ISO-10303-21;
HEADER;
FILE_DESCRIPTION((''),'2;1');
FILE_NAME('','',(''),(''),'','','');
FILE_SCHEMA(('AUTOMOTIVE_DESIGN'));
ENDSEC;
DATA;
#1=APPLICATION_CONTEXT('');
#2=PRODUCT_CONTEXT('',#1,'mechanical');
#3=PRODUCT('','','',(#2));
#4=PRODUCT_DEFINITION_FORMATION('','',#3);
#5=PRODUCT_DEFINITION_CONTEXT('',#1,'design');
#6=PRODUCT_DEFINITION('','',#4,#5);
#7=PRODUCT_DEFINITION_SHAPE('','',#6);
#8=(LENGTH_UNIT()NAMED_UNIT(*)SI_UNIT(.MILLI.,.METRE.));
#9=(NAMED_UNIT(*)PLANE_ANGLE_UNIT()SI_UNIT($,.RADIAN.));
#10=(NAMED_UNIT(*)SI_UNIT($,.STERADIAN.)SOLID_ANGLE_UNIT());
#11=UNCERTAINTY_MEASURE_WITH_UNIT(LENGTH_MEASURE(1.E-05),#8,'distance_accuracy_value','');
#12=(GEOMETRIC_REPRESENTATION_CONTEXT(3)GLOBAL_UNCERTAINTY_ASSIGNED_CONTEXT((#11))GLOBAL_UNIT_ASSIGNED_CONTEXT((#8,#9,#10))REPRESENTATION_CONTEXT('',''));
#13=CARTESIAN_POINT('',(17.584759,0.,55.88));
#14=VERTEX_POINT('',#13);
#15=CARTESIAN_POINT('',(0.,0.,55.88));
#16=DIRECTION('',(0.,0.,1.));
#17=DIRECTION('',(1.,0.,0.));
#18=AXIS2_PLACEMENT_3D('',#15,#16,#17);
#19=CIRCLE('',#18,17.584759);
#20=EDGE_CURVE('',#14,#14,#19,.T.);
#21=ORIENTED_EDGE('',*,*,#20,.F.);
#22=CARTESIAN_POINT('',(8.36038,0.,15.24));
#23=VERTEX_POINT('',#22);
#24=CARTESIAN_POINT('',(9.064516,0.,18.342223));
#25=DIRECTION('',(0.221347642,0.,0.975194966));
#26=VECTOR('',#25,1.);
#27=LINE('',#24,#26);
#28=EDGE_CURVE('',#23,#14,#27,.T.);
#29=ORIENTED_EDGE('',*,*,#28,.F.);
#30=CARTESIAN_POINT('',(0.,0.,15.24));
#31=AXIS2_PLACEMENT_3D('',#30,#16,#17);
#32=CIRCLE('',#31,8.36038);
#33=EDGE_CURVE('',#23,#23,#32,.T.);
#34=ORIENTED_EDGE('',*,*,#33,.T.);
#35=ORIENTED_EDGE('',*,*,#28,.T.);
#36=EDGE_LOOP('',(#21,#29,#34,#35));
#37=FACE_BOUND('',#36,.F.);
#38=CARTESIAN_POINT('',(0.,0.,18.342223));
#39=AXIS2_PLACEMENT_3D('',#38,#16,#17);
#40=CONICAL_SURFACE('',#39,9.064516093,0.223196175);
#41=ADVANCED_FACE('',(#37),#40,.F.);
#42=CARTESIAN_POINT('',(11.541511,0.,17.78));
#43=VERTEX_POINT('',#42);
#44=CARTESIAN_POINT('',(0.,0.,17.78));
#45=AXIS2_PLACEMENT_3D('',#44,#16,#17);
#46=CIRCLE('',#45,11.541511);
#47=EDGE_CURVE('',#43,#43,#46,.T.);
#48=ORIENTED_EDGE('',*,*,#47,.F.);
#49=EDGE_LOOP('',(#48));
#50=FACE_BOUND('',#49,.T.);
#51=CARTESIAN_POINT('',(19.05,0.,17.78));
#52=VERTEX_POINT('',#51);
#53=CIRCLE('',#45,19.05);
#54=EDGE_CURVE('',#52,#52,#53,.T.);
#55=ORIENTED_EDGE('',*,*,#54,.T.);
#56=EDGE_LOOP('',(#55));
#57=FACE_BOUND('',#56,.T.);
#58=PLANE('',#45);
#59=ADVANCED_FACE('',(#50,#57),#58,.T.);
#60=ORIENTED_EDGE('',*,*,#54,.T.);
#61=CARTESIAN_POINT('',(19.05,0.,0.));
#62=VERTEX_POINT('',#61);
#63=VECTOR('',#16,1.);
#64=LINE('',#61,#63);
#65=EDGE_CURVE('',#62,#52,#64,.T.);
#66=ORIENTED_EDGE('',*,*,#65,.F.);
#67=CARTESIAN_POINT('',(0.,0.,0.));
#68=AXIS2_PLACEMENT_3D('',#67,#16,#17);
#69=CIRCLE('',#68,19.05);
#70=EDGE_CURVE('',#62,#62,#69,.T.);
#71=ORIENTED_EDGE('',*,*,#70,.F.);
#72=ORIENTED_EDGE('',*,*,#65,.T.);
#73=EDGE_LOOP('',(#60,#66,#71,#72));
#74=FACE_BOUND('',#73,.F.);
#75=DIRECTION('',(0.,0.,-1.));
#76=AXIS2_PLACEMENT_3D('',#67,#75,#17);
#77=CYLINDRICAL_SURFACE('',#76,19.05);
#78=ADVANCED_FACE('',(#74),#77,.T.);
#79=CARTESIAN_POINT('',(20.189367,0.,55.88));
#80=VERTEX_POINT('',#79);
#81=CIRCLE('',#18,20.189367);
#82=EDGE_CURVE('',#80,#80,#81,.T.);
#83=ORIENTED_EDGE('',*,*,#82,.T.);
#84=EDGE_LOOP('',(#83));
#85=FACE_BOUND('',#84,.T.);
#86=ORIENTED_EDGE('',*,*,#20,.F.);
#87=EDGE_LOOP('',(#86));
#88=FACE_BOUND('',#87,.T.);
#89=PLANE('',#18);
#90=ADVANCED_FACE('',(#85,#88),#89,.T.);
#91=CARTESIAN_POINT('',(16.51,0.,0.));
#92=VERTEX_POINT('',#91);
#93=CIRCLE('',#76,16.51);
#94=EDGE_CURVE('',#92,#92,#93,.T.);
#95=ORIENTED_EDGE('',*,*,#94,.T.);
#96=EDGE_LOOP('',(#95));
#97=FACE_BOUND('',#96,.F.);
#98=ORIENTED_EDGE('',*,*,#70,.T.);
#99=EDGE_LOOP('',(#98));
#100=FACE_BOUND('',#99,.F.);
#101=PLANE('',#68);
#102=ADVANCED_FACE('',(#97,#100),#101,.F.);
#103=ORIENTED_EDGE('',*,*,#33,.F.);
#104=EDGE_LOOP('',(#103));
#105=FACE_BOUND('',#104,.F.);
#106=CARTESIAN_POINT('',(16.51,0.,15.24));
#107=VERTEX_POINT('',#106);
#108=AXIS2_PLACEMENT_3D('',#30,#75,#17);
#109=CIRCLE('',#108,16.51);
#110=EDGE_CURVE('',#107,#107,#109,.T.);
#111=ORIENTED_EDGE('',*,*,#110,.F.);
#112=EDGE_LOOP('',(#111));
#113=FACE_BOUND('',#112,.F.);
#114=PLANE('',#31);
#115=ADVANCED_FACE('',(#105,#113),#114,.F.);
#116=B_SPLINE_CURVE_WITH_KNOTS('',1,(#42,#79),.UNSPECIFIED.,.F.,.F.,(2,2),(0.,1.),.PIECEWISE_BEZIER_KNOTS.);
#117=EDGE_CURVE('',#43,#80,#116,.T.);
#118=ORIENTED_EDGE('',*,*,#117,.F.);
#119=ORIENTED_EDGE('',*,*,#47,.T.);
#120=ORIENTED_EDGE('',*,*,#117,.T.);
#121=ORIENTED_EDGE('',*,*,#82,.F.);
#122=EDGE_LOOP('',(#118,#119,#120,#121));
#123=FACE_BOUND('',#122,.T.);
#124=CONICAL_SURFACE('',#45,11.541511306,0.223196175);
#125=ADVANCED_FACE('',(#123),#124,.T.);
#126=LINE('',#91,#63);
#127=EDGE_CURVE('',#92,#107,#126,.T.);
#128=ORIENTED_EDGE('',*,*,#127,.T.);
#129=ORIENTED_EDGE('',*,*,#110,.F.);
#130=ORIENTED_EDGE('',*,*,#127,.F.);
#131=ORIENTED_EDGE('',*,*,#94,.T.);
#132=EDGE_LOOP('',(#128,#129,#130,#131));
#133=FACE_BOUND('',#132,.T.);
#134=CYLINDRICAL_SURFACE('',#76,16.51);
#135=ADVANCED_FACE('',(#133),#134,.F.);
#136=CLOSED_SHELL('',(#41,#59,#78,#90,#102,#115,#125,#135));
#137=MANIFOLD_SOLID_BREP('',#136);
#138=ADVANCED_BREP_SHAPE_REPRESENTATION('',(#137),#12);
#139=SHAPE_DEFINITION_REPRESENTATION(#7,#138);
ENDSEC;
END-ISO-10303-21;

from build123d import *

# Parameters (mm, degrees)
F0_R     = 19.05
F1_DEPTH = 17.78
F4_R     = 11.5415113059
F3_R     = 20.1893668286
F6_T     = -2.54


with BuildPart() as f1:
    # F0 (on Top) → F1 (new body)
    with BuildSketch(Plane.XY):
        Circle(F0_R)
    extrude(amount=F1_DEPTH)

    # F4 (on face) → F5 section 0
    with BuildSketch(Plane.XY.offset(17.78)):
        Circle(F4_R)
    # F3 (on offset) → F5 section 1
    with BuildSketch(Plane.XY.offset(55.88)):
        Circle(F3_R)
    loft()

    # F6
    f6_openings = [f1.faces().sort_by_distance(p)[0] for p in [
        (0, 0, 0),
        (0, 0, 55.88),
    ]]
    offset(amount=F6_T, openings=f6_openings, kind=Kind.INTERSECTION)


solid = f1.part
